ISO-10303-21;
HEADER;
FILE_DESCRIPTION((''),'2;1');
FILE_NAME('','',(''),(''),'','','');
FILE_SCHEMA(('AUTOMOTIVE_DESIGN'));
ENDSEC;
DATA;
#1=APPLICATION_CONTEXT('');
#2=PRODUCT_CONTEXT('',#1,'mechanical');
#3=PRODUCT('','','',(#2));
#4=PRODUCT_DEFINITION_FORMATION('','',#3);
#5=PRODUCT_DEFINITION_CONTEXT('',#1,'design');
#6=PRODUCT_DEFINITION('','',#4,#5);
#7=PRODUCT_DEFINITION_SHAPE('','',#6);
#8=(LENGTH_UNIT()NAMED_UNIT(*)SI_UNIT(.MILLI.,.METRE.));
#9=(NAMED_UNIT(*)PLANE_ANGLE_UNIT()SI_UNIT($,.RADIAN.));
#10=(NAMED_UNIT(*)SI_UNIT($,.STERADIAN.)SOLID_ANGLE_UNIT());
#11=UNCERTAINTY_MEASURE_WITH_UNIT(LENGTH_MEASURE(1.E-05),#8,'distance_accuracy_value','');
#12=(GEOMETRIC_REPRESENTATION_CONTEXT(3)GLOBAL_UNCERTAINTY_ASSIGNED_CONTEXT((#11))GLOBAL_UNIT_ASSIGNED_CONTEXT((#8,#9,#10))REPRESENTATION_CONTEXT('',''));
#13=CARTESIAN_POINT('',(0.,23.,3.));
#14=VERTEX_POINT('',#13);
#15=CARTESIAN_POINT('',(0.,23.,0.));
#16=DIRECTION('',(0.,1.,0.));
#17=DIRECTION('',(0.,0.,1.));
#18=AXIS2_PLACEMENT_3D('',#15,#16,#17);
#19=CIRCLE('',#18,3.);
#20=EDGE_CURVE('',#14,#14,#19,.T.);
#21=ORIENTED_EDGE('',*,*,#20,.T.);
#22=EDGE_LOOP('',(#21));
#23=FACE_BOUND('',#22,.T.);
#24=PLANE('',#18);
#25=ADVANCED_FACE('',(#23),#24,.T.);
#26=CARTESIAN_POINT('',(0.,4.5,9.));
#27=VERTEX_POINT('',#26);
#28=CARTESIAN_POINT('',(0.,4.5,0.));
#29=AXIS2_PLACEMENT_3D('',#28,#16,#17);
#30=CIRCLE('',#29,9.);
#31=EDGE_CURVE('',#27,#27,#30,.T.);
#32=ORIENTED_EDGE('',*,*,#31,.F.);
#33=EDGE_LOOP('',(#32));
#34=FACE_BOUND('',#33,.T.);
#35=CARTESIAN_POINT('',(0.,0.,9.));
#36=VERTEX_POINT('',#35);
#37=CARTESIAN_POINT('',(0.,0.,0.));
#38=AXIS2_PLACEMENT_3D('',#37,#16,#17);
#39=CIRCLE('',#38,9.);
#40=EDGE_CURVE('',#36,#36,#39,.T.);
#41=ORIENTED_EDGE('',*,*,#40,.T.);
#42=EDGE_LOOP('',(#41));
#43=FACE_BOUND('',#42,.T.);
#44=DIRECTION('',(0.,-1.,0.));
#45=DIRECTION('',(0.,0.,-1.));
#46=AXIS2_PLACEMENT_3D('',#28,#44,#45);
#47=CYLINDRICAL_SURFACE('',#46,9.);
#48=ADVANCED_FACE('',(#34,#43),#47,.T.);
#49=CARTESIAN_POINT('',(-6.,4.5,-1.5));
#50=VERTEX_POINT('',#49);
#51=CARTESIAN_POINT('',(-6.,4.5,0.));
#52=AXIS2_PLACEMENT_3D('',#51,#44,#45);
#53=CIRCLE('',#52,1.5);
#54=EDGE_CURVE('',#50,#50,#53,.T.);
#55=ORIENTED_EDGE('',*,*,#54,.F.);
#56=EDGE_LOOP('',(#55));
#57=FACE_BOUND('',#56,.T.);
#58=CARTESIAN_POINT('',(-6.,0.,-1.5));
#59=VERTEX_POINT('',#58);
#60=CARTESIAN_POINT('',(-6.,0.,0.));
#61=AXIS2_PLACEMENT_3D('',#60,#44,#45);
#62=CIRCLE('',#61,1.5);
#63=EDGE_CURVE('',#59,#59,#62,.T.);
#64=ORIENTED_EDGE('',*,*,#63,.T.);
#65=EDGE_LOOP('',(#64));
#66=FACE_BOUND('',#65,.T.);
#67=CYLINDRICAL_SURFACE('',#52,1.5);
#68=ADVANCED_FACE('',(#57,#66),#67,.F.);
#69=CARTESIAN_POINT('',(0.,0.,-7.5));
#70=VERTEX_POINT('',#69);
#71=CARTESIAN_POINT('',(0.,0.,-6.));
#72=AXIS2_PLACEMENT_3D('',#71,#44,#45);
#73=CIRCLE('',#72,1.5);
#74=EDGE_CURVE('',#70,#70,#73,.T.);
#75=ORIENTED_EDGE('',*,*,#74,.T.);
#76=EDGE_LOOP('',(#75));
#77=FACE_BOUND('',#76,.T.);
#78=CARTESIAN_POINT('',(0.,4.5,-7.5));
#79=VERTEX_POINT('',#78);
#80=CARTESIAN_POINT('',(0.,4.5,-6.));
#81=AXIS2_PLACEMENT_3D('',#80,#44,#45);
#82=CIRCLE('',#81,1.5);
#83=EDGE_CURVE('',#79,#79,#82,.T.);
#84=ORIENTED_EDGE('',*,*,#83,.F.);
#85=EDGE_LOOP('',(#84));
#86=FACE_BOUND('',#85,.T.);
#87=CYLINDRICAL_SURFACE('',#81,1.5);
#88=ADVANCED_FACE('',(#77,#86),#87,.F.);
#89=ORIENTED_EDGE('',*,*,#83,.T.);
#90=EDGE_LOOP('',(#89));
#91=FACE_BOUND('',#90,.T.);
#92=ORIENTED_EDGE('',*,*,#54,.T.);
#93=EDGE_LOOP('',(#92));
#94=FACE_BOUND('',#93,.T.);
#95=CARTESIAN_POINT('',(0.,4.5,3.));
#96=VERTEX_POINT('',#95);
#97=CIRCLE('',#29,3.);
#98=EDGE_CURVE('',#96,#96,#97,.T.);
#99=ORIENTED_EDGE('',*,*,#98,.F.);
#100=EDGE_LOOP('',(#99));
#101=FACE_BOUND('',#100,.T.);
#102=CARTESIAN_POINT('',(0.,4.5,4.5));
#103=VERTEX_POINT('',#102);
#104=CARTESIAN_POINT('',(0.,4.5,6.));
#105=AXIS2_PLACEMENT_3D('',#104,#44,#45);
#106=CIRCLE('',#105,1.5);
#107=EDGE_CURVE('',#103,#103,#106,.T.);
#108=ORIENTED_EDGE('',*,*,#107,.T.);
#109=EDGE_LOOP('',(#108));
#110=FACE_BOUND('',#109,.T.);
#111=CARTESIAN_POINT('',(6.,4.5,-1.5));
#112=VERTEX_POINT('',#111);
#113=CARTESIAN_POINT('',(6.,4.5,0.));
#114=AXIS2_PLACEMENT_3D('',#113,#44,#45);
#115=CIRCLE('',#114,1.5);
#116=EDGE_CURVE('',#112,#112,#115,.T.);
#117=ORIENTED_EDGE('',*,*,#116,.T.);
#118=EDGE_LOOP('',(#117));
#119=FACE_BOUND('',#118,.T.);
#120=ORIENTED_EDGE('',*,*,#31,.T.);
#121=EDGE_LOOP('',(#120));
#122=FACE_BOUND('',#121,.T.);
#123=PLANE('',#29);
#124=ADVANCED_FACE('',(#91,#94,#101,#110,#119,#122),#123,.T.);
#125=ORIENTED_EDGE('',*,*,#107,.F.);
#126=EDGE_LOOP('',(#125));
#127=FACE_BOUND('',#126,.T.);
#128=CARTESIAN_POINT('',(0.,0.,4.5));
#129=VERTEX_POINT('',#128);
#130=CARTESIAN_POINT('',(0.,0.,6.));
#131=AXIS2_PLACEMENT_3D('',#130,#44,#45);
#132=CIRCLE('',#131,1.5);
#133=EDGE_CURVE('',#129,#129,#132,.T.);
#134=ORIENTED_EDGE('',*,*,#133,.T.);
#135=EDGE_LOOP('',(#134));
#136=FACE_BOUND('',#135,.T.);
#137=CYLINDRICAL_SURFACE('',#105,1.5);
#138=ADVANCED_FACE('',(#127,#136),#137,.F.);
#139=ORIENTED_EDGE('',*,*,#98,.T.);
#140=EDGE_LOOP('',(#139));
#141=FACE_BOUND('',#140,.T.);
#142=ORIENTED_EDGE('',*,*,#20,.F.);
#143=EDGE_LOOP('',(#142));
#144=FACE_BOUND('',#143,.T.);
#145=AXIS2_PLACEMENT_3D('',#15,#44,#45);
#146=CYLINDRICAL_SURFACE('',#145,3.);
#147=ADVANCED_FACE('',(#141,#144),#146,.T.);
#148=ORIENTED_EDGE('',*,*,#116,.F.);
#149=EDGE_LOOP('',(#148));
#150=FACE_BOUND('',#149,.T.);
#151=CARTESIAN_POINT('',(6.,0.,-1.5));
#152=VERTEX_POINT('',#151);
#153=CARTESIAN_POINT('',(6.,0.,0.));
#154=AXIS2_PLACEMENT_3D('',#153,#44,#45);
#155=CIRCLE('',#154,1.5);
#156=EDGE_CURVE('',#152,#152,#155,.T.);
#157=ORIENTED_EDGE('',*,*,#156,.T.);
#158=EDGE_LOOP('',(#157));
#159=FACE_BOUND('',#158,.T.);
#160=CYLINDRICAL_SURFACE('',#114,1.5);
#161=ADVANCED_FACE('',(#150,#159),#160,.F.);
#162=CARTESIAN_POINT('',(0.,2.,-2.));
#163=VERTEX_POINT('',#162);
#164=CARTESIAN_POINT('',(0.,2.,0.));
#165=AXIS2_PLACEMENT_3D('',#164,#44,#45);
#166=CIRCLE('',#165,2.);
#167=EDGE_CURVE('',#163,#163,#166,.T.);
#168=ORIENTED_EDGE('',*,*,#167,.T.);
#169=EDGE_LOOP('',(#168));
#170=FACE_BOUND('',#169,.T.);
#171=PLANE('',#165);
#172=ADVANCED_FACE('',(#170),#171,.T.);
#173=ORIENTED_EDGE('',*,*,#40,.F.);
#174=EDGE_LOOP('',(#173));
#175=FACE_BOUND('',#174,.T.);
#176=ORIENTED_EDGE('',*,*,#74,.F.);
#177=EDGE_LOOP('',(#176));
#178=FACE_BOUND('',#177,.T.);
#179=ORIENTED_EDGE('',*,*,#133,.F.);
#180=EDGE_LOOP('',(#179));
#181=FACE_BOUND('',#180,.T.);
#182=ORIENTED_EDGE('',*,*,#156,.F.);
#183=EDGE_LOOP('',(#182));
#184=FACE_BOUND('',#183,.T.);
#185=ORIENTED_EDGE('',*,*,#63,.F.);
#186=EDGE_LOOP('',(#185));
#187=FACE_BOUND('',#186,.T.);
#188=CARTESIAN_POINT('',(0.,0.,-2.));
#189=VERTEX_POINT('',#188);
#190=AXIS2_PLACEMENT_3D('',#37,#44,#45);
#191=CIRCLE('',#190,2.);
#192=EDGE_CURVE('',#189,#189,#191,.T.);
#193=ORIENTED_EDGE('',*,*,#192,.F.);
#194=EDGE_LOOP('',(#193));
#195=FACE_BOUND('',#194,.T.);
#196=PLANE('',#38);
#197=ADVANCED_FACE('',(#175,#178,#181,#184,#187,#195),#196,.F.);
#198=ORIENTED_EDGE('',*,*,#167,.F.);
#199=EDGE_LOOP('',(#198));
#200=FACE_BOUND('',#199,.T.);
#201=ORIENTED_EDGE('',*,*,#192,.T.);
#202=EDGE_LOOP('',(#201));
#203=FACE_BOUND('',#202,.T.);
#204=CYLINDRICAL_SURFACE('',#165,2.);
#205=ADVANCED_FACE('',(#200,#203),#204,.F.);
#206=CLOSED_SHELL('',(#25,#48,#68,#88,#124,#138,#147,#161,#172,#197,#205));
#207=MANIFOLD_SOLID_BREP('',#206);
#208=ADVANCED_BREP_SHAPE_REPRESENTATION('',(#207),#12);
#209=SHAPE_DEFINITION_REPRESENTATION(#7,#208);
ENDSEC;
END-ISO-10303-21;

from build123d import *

# Parameters (mm, degrees)
SKETCH_1_R          = 9
EXTRUDE_1_DEPTH     = 4.5
SKETCH_2_R          = 2
CUT_EXTRUDE_1_DEPTH = 2
SKETCH_3_R          = 1.5
CUT_EXTRUDE_2_DEPTH = 14.5
SKETCH_4_R          = 3
EXTRUDE_2_DEPTH     = 18.5


with BuildPart() as part:
    # 草图1 → 凸台-拉伸1 (new body)
    with BuildSketch(Plane(origin=(0, 0, 0), x_dir=(1, 0, 0), z_dir=(0, 1, 0))):
        with Locations(Location((0, 0, 0), (0, 0, 270))):
            Circle(SKETCH_1_R)
    extrude(amount=EXTRUDE_1_DEPTH)

    # 草图2 → 切除-拉伸1 (cut)
    with BuildSketch(Plane.XZ):
        with Locations(Location((0, 0, 0), (0, 0, 270))):
            Circle(SKETCH_2_R)
    extrude(amount=-CUT_EXTRUDE_1_DEPTH, mode=Mode.SUBTRACT)

    # 草图3 → 切除-拉伸2 (cut, through all)
    with BuildSketch(Plane.XZ):
        with Locations(Location((0, 6, 0), (0, 0, 270))):
            Circle(SKETCH_3_R)
        with Locations(Location((6, 0, 0), (0, 0, 270))):
            Circle(SKETCH_3_R)
        with Locations(Location((0, -6, 0), (0, 0, 270))):
            Circle(SKETCH_3_R)
        with Locations(Location((-6, 0, 0), (0, 0, 270))):
            Circle(SKETCH_3_R)
    extrude(amount=-CUT_EXTRUDE_2_DEPTH, mode=Mode.SUBTRACT)

    # 草图4 → 凸台-拉伸2 (add)
    with BuildSketch(Plane(origin=(0, 4.5, 0), x_dir=(1, 0, 0), z_dir=(0, 1, 0))):
        with Locations(Location((0, 0, 0), (0, 0, 270))):
            Circle(SKETCH_4_R)
    extrude(amount=EXTRUDE_2_DEPTH)


solid = part.part
